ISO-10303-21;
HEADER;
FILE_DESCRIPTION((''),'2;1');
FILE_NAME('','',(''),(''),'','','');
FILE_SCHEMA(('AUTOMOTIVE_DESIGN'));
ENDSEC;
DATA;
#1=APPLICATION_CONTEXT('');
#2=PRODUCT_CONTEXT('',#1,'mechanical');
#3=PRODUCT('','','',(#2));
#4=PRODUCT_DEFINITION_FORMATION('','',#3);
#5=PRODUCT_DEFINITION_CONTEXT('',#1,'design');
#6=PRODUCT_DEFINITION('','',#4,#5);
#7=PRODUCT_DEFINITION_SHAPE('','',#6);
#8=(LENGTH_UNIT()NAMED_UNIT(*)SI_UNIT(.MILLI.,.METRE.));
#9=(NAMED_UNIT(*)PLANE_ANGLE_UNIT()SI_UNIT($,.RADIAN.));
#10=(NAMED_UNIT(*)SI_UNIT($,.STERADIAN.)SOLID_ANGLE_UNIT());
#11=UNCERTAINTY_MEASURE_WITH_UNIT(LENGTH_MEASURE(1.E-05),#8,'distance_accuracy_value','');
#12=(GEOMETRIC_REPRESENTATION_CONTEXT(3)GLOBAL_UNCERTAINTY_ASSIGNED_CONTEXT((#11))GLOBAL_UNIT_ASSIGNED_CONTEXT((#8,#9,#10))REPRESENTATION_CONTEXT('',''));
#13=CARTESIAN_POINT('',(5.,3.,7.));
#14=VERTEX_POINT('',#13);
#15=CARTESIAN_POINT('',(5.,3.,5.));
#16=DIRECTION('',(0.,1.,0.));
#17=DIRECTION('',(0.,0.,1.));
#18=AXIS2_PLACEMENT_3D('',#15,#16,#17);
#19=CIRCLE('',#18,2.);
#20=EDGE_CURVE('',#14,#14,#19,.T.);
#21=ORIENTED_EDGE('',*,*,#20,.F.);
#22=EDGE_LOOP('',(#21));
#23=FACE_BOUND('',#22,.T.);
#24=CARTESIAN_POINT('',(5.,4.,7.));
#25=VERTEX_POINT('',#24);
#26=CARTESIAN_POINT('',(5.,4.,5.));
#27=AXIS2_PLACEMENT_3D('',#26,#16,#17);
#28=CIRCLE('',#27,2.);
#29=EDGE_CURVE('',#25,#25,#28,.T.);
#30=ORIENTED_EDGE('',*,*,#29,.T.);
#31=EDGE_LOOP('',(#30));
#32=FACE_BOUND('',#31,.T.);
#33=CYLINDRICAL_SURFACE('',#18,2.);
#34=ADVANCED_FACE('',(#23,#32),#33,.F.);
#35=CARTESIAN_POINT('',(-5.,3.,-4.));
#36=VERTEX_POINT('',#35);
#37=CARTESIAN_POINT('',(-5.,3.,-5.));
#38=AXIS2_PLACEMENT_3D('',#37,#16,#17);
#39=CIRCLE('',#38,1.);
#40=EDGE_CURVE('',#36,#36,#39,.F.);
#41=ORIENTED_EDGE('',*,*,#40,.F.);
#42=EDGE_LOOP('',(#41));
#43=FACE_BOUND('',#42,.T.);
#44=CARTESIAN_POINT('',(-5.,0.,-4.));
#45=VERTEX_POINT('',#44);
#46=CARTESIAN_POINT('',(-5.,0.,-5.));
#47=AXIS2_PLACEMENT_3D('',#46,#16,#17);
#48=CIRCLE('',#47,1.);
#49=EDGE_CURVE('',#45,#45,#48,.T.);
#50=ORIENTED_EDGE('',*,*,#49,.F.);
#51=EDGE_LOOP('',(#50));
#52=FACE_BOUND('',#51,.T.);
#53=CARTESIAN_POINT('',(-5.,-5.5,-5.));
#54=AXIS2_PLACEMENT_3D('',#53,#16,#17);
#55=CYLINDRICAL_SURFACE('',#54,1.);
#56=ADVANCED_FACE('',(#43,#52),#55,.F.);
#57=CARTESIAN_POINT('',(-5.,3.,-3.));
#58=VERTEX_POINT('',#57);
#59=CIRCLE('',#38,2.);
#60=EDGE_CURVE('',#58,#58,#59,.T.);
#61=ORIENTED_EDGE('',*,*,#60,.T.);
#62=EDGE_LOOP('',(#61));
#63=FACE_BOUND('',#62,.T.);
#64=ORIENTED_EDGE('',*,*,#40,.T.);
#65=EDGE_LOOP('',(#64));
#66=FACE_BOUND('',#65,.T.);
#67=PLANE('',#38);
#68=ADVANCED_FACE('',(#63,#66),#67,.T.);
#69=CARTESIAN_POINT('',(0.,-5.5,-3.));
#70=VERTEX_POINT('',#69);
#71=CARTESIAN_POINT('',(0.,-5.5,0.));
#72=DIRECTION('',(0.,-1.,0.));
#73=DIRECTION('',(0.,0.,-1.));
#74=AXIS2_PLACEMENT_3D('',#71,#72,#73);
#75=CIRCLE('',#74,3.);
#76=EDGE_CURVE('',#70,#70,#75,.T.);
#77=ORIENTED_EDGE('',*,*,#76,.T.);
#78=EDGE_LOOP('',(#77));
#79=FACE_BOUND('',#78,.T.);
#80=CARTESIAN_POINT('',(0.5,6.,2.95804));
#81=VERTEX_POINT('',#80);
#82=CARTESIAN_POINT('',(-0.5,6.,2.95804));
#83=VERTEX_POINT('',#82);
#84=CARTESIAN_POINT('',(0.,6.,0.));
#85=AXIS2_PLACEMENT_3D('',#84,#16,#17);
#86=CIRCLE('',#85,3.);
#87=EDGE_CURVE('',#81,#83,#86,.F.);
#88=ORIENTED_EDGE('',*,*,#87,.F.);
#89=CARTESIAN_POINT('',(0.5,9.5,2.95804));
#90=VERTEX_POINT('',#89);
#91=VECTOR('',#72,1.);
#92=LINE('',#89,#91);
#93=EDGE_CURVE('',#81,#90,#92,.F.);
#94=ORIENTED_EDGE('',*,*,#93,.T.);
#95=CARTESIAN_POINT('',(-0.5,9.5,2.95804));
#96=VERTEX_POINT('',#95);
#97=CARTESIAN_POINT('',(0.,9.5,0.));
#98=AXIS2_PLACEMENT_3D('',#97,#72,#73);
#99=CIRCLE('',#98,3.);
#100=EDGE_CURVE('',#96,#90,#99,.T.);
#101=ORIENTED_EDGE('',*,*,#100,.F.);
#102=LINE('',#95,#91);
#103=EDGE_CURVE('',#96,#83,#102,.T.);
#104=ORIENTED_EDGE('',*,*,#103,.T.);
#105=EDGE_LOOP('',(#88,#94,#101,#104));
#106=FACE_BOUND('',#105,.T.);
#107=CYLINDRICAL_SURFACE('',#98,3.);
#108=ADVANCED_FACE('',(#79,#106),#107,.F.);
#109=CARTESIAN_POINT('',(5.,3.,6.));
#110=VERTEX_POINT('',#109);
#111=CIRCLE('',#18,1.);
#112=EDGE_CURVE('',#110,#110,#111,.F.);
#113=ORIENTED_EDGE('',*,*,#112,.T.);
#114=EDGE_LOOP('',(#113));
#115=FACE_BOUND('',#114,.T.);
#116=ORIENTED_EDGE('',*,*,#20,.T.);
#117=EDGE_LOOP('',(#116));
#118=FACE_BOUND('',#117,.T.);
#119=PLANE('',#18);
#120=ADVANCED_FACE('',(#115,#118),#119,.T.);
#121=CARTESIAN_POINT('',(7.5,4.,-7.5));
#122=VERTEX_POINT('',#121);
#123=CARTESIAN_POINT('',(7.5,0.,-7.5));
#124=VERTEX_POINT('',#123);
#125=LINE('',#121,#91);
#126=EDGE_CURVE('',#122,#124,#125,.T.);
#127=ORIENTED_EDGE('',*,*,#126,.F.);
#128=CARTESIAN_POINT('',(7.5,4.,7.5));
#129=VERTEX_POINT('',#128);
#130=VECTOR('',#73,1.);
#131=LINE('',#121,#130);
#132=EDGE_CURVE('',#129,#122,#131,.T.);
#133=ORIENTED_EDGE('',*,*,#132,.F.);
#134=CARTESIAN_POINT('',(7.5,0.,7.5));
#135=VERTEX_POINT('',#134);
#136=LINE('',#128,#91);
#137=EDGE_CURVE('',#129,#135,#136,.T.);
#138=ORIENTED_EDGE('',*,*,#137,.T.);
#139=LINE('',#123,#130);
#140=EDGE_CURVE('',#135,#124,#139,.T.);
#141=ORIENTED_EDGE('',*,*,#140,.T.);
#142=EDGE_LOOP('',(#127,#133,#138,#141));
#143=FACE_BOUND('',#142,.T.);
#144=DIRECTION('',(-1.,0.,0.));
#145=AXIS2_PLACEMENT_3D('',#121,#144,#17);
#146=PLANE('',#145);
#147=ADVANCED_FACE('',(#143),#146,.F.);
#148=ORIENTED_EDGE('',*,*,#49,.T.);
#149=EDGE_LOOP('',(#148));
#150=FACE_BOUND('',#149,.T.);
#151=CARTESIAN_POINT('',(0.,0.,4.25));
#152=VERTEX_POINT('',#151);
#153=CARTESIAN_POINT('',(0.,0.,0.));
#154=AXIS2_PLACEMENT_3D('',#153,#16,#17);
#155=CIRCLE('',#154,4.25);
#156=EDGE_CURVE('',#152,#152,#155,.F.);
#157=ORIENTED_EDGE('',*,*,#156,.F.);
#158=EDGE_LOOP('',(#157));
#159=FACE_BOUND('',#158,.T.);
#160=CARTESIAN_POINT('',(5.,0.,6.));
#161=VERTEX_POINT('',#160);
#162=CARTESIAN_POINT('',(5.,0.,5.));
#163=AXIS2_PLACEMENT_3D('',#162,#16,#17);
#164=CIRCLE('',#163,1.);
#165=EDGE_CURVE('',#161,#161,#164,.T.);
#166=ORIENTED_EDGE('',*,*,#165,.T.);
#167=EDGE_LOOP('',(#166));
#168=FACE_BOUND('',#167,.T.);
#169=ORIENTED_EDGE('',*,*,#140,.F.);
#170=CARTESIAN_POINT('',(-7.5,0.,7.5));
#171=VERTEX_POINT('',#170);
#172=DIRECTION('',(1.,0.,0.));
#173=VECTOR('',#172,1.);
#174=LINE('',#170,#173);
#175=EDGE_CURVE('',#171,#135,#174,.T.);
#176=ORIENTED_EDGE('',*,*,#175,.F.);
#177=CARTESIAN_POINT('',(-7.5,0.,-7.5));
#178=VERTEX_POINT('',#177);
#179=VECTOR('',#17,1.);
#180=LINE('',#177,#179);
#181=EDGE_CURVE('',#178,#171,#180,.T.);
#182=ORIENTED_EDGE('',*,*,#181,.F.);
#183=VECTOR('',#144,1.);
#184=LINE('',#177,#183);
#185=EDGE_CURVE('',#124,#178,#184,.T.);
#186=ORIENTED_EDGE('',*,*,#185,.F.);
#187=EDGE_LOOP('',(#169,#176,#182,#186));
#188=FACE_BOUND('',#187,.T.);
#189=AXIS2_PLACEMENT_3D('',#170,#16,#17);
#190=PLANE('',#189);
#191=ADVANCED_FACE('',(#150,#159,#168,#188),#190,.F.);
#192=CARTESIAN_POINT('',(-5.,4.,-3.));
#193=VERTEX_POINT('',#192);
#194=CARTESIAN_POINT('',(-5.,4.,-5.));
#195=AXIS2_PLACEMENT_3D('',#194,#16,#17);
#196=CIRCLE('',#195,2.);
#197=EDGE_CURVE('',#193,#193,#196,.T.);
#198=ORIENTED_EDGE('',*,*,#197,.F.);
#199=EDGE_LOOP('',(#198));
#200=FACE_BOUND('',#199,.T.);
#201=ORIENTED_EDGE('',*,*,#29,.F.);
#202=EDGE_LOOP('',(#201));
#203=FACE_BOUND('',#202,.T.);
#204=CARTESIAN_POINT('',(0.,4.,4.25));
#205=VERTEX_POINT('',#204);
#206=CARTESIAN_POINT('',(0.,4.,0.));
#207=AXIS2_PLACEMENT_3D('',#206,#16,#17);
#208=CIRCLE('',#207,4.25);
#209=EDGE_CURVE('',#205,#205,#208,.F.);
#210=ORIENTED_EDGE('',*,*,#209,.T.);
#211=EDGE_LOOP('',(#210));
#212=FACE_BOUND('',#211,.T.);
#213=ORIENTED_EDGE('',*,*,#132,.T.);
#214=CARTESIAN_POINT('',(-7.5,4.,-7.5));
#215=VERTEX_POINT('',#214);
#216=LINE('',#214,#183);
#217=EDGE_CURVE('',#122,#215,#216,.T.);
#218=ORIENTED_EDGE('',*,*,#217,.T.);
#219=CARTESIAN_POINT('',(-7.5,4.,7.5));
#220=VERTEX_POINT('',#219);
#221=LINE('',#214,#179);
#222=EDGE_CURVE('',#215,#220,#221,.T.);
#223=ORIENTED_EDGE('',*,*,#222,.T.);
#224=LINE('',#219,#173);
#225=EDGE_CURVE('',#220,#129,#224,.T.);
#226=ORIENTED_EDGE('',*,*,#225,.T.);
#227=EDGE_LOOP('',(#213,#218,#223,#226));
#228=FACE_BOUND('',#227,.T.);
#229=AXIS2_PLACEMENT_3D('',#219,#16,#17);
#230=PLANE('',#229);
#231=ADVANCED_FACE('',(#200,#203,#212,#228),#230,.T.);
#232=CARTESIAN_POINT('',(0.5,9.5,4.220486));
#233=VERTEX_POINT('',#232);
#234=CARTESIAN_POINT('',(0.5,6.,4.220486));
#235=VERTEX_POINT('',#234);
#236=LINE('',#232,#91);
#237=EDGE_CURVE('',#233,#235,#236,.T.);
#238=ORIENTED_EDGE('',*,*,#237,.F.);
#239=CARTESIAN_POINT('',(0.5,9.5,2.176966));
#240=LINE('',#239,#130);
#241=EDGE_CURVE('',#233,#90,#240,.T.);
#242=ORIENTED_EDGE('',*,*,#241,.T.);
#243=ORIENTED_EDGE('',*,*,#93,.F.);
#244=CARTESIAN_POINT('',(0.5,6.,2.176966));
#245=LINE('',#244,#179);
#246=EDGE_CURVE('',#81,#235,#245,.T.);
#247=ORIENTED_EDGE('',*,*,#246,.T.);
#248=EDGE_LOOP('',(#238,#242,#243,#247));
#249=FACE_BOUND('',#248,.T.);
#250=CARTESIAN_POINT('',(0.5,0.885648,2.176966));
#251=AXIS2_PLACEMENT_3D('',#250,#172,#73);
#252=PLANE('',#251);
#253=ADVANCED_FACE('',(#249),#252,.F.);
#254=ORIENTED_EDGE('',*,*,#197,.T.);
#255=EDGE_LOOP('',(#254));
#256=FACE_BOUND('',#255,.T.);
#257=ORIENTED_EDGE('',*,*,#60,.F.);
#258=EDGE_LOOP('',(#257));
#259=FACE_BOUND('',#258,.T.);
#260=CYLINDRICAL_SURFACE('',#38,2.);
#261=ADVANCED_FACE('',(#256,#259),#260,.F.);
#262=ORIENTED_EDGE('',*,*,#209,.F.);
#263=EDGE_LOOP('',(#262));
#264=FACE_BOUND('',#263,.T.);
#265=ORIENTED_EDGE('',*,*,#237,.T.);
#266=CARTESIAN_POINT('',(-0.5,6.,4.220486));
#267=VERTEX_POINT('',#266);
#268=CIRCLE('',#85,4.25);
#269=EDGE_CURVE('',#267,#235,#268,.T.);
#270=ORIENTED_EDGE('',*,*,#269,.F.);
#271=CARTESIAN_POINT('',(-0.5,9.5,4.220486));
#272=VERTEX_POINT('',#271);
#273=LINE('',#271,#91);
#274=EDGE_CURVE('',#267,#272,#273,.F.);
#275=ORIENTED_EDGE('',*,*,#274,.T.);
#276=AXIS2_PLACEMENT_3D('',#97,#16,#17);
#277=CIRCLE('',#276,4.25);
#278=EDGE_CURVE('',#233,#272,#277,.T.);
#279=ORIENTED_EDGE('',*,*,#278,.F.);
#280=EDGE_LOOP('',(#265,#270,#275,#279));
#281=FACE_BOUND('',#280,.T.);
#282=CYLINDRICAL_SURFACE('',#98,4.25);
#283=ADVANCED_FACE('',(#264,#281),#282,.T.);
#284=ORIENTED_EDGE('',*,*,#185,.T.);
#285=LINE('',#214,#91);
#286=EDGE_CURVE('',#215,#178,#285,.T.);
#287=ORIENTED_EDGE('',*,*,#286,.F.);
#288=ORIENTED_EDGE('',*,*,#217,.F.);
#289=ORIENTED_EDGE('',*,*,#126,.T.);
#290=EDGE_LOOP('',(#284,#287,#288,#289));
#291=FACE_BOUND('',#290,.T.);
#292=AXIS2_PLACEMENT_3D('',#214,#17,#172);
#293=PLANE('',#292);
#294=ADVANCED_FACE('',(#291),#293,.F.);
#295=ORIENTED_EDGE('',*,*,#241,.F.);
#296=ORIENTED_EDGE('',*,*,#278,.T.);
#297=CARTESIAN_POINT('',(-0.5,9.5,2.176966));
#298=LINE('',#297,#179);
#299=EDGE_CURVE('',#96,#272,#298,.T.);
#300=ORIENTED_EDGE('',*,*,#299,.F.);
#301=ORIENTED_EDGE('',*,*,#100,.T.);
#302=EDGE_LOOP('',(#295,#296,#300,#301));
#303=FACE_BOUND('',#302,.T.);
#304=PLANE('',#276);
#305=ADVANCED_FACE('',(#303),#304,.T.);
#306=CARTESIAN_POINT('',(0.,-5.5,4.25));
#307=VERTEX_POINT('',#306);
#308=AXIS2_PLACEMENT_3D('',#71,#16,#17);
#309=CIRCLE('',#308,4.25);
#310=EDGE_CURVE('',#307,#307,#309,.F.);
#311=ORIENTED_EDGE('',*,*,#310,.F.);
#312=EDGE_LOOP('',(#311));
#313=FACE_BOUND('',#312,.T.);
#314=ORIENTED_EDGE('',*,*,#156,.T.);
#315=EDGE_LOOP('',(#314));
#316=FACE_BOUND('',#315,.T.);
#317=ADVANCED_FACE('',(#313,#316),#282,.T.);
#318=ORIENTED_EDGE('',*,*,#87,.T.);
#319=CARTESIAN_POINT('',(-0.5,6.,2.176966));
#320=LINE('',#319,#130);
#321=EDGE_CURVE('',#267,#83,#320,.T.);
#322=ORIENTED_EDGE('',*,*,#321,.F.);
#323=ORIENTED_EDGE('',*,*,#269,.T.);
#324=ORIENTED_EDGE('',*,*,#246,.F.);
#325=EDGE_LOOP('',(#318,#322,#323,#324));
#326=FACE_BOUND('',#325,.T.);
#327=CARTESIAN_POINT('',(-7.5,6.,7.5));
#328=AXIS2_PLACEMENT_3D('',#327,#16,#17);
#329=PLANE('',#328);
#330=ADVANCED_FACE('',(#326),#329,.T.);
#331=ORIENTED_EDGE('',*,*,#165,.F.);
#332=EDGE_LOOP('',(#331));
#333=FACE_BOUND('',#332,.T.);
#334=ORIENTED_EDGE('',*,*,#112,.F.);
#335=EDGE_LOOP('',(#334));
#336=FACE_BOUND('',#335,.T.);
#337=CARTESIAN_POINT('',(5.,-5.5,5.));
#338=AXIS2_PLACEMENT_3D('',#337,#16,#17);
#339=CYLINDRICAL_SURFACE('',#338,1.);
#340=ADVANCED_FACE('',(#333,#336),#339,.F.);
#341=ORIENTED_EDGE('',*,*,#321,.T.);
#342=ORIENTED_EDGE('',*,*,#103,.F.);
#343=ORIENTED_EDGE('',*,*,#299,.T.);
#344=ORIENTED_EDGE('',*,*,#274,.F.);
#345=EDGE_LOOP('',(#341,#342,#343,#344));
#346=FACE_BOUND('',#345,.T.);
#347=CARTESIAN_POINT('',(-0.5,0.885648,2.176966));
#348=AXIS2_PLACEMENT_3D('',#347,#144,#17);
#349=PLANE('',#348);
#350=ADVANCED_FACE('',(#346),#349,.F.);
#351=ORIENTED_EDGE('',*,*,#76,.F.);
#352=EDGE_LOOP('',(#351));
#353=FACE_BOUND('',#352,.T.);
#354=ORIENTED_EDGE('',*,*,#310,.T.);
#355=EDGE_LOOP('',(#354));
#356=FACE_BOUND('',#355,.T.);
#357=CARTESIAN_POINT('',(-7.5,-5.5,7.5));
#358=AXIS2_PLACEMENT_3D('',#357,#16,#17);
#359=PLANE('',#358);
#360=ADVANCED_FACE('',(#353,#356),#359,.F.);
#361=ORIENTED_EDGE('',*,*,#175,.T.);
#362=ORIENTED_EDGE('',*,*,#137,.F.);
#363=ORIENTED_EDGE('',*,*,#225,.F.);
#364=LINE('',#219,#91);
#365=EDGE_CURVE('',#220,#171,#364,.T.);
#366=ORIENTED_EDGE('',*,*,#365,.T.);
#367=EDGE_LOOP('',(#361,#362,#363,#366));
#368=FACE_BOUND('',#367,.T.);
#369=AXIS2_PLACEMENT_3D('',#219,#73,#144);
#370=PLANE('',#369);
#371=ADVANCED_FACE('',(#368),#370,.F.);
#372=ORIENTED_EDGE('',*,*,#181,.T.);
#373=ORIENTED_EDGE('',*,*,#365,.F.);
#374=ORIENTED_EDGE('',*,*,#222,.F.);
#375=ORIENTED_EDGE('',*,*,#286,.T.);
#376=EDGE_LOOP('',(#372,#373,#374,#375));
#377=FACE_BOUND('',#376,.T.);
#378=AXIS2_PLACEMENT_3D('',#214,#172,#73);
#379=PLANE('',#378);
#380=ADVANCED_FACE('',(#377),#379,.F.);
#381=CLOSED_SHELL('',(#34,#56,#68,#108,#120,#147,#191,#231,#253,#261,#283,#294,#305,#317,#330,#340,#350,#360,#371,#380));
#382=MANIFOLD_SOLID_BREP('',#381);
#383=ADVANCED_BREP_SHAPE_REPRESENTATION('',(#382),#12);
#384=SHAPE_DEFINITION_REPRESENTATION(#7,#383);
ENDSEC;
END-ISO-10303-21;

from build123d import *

# Parameters (mm, degrees)
SKETCH_1_W           = 15
SKETCH_1_H           = 15
EXTRUDE_1_DEPTH      = 4
EXTRUDE_2_DEPTH      = 5.5
EXTRUDE_2_DEPTH_BACK = 9.5
SKETCH_2_R           = 4.25
SKETCH_5_R           = 3
CUT_EXTRUDE_3_DEPTH  = 19.371173071
SKETCH_3_R           = 1
CUT_EXTRUDE_1_DEPTH  = 15.239030866
SKETCH_4_R           = 2
CUT_EXTRUDE_2_DEPTH  = 1
SKETCH_6_W           = 1
SKETCH_6_H           = 2.949438202
CUT_EXTRUDE_4_DEPTH  = 3.5


with BuildPart() as part:
    # 草图1 → 拉伸1 (new body)
    with BuildSketch(Plane(origin=(0, 0, 0), x_dir=(1, 0, 0), z_dir=(0, 1, 0))):
        Rectangle(SKETCH_1_W, SKETCH_1_H)
    extrude(amount=EXTRUDE_1_DEPTH)

    # 草图2 → 拉伸2 (add, two sides: drawn at the far end of the back side and taken through both)
    with BuildSketch(Plane(origin=(0, 4, 0), x_dir=(-1, 0, 0), z_dir=(0, 1, 0)).offset(-EXTRUDE_2_DEPTH_BACK)):
        with Locations(Location((0, 0, 0), (0, 0, 90))):
            Circle(SKETCH_2_R)
    extrude(amount=EXTRUDE_2_DEPTH + EXTRUDE_2_DEPTH_BACK)

    # 草图5 → 切除-拉伸3 (cut, through all)
    with BuildSketch(Plane.XZ.offset(5.5)):
        with Locations(Location((0, 0, 0), (0, 0, 270))):
            Circle(SKETCH_5_R)
    extrude(amount=-CUT_EXTRUDE_3_DEPTH, mode=Mode.SUBTRACT)

    # 草图3 → 切除-拉伸1 (cut, through all)
    with BuildSketch(Plane(origin=(0, 4, 0), x_dir=(-1, 0, 0), z_dir=(0, 1, 0))):
        with Locations(Location((5, -5, 0), (0, 0, 90))):
            Circle(SKETCH_3_R)
        with Locations(Location((-5, 5, 0), (0, 0, 90))):
            Circle(SKETCH_3_R)
    extrude(amount=-CUT_EXTRUDE_1_DEPTH, mode=Mode.SUBTRACT)

    # 草图4 → 切除-拉伸2 (cut)
    with BuildSketch(Plane(origin=(0, 4, 0), x_dir=(-1, 0, 0), z_dir=(0, 1, 0))):
        with Locations(Location((5, -5, 0), (0, 0, 90))):
            Circle(SKETCH_4_R)
        with Locations(Location((-5, 5, 0), (0, 0, 90))):
            Circle(SKETCH_4_R)
    extrude(amount=-CUT_EXTRUDE_2_DEPTH, mode=Mode.SUBTRACT)

    # 草图6 → 切除-拉伸4 (cut)
    with BuildSketch(Plane(origin=(0, 9.5, 0), x_dir=(-1, 0, 0), z_dir=(0, 1, 0))):
        with Locations((0, 3.651685393)):
            Rectangle(SKETCH_6_W, SKETCH_6_H)
    extrude(amount=-CUT_EXTRUDE_4_DEPTH, mode=Mode.SUBTRACT)


solid = part.part
